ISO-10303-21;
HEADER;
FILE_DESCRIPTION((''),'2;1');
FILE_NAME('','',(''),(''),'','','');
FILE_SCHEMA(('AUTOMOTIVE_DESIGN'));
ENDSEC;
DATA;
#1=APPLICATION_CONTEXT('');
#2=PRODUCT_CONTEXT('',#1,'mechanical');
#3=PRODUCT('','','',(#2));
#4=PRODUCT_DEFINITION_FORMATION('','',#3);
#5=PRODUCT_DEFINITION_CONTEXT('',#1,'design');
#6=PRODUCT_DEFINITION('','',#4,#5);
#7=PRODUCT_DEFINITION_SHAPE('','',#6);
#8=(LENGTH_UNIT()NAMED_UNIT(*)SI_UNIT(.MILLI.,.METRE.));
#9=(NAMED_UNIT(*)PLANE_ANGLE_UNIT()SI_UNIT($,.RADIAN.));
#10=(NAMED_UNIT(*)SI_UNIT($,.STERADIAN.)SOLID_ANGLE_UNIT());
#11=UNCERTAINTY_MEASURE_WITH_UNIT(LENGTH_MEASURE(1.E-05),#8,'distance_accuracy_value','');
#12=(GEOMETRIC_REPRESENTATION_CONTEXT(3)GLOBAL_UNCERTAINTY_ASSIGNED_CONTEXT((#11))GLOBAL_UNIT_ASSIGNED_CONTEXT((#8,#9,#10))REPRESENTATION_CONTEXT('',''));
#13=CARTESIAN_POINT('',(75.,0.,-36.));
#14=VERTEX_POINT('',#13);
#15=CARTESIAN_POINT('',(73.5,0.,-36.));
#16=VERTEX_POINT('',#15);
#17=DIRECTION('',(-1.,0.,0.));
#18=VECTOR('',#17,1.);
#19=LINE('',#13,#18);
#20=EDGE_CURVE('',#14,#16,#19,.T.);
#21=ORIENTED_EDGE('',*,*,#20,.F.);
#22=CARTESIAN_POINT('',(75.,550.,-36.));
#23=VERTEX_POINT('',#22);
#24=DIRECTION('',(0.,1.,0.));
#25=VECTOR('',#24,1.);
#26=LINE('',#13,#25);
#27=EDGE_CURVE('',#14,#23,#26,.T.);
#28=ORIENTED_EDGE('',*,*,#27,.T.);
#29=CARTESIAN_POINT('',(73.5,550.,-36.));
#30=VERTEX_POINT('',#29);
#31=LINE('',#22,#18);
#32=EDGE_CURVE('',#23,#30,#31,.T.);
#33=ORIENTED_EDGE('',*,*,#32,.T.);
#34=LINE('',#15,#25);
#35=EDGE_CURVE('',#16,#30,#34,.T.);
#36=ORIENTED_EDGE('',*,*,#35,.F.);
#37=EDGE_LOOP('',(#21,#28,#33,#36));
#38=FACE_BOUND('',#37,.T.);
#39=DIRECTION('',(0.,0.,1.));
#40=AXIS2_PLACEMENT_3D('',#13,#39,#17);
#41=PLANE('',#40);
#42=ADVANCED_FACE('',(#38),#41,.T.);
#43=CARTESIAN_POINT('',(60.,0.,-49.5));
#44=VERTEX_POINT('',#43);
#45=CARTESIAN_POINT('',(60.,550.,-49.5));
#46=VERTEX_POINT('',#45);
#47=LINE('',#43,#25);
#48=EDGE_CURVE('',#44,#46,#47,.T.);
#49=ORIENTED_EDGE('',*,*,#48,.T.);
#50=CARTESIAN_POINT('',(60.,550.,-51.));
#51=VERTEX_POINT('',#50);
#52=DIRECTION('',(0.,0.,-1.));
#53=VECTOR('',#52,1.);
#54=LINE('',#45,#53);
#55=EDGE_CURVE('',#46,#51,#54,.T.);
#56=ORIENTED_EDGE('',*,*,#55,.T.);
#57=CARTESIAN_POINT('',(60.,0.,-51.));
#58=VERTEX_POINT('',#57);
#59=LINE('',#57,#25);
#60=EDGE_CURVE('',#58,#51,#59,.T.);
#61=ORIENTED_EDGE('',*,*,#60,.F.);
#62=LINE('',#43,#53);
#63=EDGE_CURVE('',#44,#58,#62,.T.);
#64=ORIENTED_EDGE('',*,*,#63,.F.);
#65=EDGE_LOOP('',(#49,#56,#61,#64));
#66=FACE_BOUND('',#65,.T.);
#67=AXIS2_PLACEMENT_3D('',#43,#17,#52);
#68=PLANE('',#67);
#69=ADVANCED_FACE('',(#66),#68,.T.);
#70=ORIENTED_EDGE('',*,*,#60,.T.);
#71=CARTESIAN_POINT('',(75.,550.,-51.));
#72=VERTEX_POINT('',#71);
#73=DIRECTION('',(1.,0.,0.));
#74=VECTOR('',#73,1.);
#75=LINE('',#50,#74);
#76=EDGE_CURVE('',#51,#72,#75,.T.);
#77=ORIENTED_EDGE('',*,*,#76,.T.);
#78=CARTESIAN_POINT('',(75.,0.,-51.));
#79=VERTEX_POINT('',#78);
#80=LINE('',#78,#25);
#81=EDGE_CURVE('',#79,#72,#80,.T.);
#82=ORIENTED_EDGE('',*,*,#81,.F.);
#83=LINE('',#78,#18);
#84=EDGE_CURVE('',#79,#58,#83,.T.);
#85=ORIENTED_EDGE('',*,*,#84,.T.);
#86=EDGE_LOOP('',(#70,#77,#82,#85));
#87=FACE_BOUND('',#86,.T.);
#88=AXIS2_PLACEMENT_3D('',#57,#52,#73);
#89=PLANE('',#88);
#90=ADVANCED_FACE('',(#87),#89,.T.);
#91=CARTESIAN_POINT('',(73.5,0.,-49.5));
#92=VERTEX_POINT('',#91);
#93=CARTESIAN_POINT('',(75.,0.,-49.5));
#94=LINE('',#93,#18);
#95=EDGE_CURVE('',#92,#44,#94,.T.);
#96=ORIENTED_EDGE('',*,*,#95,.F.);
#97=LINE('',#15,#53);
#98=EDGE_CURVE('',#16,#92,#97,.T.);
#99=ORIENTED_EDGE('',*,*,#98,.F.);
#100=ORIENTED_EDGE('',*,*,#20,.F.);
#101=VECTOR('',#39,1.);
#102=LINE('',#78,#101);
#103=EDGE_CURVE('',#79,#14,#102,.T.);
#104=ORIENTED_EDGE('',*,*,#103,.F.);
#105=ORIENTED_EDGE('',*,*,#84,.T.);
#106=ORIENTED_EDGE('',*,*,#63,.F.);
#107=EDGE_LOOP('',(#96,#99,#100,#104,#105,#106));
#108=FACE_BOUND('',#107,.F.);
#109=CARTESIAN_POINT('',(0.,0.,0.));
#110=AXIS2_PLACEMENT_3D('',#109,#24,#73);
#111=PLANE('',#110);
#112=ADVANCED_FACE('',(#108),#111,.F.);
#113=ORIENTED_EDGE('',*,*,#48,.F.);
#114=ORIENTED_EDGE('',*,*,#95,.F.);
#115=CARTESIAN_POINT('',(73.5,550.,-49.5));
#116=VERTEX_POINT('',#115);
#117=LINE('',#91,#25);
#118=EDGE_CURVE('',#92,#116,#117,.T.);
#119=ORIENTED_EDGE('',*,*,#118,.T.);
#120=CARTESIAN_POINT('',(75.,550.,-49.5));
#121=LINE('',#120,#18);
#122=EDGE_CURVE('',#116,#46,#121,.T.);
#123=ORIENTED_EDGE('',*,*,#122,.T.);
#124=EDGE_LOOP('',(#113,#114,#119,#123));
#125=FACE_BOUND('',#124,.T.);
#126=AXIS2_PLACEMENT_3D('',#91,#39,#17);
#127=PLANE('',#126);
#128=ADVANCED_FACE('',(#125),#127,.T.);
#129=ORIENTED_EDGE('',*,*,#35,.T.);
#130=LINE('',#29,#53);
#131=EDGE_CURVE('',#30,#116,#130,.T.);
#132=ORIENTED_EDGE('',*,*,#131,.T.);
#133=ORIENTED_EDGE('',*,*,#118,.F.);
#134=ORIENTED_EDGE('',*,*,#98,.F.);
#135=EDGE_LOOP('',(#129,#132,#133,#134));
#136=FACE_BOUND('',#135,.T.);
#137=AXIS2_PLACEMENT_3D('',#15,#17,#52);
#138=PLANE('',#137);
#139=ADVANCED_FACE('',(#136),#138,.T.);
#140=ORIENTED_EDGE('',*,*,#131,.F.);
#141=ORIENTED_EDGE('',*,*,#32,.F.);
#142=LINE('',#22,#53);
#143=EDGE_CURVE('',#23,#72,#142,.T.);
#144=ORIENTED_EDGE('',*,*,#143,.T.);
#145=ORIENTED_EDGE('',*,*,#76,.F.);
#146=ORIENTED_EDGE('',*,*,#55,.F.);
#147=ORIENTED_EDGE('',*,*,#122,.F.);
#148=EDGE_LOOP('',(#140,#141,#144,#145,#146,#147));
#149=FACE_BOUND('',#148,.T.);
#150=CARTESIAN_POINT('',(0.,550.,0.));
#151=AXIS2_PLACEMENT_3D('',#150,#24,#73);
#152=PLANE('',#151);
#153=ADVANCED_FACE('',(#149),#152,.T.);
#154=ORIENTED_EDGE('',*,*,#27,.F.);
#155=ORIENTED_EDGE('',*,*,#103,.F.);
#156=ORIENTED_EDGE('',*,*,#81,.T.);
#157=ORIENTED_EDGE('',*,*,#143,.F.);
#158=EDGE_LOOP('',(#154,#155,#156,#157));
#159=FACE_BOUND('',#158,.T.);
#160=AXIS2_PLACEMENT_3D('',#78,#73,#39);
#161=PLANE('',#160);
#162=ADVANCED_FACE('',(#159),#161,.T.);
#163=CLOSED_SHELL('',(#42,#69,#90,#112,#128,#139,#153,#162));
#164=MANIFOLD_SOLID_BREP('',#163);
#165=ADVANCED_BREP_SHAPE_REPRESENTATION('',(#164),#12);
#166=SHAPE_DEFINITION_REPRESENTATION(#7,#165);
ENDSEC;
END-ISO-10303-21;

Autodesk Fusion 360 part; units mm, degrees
sketch "Sketch1" plane through (0, 0, 0) normal (0, 1, 0) x (1, 0, 0)
  line L0 (60, 51) -> (75, 51)
  line L1 (75, 51) -> (75, 49.5)
  line L2 (75, 49.5) -> (60, 49.5)
  line L3 (60, 49.5) -> (60, 51)
  line L4 (73.5, 51) -> (75, 51)
  line L5 (75, 51) -> (75, 36)
  line L6 (75, 36) -> (73.5, 36)
  line L7 (73.5, 36) -> (73.5, 51)
  dimension "d14" = 15
  dimension "d15" = 1.5
  dimension "d16" = 15
  dimension "d17" = 1.5
extrude "Extrude1" add sketch "Sketch1" along normal blind 550
